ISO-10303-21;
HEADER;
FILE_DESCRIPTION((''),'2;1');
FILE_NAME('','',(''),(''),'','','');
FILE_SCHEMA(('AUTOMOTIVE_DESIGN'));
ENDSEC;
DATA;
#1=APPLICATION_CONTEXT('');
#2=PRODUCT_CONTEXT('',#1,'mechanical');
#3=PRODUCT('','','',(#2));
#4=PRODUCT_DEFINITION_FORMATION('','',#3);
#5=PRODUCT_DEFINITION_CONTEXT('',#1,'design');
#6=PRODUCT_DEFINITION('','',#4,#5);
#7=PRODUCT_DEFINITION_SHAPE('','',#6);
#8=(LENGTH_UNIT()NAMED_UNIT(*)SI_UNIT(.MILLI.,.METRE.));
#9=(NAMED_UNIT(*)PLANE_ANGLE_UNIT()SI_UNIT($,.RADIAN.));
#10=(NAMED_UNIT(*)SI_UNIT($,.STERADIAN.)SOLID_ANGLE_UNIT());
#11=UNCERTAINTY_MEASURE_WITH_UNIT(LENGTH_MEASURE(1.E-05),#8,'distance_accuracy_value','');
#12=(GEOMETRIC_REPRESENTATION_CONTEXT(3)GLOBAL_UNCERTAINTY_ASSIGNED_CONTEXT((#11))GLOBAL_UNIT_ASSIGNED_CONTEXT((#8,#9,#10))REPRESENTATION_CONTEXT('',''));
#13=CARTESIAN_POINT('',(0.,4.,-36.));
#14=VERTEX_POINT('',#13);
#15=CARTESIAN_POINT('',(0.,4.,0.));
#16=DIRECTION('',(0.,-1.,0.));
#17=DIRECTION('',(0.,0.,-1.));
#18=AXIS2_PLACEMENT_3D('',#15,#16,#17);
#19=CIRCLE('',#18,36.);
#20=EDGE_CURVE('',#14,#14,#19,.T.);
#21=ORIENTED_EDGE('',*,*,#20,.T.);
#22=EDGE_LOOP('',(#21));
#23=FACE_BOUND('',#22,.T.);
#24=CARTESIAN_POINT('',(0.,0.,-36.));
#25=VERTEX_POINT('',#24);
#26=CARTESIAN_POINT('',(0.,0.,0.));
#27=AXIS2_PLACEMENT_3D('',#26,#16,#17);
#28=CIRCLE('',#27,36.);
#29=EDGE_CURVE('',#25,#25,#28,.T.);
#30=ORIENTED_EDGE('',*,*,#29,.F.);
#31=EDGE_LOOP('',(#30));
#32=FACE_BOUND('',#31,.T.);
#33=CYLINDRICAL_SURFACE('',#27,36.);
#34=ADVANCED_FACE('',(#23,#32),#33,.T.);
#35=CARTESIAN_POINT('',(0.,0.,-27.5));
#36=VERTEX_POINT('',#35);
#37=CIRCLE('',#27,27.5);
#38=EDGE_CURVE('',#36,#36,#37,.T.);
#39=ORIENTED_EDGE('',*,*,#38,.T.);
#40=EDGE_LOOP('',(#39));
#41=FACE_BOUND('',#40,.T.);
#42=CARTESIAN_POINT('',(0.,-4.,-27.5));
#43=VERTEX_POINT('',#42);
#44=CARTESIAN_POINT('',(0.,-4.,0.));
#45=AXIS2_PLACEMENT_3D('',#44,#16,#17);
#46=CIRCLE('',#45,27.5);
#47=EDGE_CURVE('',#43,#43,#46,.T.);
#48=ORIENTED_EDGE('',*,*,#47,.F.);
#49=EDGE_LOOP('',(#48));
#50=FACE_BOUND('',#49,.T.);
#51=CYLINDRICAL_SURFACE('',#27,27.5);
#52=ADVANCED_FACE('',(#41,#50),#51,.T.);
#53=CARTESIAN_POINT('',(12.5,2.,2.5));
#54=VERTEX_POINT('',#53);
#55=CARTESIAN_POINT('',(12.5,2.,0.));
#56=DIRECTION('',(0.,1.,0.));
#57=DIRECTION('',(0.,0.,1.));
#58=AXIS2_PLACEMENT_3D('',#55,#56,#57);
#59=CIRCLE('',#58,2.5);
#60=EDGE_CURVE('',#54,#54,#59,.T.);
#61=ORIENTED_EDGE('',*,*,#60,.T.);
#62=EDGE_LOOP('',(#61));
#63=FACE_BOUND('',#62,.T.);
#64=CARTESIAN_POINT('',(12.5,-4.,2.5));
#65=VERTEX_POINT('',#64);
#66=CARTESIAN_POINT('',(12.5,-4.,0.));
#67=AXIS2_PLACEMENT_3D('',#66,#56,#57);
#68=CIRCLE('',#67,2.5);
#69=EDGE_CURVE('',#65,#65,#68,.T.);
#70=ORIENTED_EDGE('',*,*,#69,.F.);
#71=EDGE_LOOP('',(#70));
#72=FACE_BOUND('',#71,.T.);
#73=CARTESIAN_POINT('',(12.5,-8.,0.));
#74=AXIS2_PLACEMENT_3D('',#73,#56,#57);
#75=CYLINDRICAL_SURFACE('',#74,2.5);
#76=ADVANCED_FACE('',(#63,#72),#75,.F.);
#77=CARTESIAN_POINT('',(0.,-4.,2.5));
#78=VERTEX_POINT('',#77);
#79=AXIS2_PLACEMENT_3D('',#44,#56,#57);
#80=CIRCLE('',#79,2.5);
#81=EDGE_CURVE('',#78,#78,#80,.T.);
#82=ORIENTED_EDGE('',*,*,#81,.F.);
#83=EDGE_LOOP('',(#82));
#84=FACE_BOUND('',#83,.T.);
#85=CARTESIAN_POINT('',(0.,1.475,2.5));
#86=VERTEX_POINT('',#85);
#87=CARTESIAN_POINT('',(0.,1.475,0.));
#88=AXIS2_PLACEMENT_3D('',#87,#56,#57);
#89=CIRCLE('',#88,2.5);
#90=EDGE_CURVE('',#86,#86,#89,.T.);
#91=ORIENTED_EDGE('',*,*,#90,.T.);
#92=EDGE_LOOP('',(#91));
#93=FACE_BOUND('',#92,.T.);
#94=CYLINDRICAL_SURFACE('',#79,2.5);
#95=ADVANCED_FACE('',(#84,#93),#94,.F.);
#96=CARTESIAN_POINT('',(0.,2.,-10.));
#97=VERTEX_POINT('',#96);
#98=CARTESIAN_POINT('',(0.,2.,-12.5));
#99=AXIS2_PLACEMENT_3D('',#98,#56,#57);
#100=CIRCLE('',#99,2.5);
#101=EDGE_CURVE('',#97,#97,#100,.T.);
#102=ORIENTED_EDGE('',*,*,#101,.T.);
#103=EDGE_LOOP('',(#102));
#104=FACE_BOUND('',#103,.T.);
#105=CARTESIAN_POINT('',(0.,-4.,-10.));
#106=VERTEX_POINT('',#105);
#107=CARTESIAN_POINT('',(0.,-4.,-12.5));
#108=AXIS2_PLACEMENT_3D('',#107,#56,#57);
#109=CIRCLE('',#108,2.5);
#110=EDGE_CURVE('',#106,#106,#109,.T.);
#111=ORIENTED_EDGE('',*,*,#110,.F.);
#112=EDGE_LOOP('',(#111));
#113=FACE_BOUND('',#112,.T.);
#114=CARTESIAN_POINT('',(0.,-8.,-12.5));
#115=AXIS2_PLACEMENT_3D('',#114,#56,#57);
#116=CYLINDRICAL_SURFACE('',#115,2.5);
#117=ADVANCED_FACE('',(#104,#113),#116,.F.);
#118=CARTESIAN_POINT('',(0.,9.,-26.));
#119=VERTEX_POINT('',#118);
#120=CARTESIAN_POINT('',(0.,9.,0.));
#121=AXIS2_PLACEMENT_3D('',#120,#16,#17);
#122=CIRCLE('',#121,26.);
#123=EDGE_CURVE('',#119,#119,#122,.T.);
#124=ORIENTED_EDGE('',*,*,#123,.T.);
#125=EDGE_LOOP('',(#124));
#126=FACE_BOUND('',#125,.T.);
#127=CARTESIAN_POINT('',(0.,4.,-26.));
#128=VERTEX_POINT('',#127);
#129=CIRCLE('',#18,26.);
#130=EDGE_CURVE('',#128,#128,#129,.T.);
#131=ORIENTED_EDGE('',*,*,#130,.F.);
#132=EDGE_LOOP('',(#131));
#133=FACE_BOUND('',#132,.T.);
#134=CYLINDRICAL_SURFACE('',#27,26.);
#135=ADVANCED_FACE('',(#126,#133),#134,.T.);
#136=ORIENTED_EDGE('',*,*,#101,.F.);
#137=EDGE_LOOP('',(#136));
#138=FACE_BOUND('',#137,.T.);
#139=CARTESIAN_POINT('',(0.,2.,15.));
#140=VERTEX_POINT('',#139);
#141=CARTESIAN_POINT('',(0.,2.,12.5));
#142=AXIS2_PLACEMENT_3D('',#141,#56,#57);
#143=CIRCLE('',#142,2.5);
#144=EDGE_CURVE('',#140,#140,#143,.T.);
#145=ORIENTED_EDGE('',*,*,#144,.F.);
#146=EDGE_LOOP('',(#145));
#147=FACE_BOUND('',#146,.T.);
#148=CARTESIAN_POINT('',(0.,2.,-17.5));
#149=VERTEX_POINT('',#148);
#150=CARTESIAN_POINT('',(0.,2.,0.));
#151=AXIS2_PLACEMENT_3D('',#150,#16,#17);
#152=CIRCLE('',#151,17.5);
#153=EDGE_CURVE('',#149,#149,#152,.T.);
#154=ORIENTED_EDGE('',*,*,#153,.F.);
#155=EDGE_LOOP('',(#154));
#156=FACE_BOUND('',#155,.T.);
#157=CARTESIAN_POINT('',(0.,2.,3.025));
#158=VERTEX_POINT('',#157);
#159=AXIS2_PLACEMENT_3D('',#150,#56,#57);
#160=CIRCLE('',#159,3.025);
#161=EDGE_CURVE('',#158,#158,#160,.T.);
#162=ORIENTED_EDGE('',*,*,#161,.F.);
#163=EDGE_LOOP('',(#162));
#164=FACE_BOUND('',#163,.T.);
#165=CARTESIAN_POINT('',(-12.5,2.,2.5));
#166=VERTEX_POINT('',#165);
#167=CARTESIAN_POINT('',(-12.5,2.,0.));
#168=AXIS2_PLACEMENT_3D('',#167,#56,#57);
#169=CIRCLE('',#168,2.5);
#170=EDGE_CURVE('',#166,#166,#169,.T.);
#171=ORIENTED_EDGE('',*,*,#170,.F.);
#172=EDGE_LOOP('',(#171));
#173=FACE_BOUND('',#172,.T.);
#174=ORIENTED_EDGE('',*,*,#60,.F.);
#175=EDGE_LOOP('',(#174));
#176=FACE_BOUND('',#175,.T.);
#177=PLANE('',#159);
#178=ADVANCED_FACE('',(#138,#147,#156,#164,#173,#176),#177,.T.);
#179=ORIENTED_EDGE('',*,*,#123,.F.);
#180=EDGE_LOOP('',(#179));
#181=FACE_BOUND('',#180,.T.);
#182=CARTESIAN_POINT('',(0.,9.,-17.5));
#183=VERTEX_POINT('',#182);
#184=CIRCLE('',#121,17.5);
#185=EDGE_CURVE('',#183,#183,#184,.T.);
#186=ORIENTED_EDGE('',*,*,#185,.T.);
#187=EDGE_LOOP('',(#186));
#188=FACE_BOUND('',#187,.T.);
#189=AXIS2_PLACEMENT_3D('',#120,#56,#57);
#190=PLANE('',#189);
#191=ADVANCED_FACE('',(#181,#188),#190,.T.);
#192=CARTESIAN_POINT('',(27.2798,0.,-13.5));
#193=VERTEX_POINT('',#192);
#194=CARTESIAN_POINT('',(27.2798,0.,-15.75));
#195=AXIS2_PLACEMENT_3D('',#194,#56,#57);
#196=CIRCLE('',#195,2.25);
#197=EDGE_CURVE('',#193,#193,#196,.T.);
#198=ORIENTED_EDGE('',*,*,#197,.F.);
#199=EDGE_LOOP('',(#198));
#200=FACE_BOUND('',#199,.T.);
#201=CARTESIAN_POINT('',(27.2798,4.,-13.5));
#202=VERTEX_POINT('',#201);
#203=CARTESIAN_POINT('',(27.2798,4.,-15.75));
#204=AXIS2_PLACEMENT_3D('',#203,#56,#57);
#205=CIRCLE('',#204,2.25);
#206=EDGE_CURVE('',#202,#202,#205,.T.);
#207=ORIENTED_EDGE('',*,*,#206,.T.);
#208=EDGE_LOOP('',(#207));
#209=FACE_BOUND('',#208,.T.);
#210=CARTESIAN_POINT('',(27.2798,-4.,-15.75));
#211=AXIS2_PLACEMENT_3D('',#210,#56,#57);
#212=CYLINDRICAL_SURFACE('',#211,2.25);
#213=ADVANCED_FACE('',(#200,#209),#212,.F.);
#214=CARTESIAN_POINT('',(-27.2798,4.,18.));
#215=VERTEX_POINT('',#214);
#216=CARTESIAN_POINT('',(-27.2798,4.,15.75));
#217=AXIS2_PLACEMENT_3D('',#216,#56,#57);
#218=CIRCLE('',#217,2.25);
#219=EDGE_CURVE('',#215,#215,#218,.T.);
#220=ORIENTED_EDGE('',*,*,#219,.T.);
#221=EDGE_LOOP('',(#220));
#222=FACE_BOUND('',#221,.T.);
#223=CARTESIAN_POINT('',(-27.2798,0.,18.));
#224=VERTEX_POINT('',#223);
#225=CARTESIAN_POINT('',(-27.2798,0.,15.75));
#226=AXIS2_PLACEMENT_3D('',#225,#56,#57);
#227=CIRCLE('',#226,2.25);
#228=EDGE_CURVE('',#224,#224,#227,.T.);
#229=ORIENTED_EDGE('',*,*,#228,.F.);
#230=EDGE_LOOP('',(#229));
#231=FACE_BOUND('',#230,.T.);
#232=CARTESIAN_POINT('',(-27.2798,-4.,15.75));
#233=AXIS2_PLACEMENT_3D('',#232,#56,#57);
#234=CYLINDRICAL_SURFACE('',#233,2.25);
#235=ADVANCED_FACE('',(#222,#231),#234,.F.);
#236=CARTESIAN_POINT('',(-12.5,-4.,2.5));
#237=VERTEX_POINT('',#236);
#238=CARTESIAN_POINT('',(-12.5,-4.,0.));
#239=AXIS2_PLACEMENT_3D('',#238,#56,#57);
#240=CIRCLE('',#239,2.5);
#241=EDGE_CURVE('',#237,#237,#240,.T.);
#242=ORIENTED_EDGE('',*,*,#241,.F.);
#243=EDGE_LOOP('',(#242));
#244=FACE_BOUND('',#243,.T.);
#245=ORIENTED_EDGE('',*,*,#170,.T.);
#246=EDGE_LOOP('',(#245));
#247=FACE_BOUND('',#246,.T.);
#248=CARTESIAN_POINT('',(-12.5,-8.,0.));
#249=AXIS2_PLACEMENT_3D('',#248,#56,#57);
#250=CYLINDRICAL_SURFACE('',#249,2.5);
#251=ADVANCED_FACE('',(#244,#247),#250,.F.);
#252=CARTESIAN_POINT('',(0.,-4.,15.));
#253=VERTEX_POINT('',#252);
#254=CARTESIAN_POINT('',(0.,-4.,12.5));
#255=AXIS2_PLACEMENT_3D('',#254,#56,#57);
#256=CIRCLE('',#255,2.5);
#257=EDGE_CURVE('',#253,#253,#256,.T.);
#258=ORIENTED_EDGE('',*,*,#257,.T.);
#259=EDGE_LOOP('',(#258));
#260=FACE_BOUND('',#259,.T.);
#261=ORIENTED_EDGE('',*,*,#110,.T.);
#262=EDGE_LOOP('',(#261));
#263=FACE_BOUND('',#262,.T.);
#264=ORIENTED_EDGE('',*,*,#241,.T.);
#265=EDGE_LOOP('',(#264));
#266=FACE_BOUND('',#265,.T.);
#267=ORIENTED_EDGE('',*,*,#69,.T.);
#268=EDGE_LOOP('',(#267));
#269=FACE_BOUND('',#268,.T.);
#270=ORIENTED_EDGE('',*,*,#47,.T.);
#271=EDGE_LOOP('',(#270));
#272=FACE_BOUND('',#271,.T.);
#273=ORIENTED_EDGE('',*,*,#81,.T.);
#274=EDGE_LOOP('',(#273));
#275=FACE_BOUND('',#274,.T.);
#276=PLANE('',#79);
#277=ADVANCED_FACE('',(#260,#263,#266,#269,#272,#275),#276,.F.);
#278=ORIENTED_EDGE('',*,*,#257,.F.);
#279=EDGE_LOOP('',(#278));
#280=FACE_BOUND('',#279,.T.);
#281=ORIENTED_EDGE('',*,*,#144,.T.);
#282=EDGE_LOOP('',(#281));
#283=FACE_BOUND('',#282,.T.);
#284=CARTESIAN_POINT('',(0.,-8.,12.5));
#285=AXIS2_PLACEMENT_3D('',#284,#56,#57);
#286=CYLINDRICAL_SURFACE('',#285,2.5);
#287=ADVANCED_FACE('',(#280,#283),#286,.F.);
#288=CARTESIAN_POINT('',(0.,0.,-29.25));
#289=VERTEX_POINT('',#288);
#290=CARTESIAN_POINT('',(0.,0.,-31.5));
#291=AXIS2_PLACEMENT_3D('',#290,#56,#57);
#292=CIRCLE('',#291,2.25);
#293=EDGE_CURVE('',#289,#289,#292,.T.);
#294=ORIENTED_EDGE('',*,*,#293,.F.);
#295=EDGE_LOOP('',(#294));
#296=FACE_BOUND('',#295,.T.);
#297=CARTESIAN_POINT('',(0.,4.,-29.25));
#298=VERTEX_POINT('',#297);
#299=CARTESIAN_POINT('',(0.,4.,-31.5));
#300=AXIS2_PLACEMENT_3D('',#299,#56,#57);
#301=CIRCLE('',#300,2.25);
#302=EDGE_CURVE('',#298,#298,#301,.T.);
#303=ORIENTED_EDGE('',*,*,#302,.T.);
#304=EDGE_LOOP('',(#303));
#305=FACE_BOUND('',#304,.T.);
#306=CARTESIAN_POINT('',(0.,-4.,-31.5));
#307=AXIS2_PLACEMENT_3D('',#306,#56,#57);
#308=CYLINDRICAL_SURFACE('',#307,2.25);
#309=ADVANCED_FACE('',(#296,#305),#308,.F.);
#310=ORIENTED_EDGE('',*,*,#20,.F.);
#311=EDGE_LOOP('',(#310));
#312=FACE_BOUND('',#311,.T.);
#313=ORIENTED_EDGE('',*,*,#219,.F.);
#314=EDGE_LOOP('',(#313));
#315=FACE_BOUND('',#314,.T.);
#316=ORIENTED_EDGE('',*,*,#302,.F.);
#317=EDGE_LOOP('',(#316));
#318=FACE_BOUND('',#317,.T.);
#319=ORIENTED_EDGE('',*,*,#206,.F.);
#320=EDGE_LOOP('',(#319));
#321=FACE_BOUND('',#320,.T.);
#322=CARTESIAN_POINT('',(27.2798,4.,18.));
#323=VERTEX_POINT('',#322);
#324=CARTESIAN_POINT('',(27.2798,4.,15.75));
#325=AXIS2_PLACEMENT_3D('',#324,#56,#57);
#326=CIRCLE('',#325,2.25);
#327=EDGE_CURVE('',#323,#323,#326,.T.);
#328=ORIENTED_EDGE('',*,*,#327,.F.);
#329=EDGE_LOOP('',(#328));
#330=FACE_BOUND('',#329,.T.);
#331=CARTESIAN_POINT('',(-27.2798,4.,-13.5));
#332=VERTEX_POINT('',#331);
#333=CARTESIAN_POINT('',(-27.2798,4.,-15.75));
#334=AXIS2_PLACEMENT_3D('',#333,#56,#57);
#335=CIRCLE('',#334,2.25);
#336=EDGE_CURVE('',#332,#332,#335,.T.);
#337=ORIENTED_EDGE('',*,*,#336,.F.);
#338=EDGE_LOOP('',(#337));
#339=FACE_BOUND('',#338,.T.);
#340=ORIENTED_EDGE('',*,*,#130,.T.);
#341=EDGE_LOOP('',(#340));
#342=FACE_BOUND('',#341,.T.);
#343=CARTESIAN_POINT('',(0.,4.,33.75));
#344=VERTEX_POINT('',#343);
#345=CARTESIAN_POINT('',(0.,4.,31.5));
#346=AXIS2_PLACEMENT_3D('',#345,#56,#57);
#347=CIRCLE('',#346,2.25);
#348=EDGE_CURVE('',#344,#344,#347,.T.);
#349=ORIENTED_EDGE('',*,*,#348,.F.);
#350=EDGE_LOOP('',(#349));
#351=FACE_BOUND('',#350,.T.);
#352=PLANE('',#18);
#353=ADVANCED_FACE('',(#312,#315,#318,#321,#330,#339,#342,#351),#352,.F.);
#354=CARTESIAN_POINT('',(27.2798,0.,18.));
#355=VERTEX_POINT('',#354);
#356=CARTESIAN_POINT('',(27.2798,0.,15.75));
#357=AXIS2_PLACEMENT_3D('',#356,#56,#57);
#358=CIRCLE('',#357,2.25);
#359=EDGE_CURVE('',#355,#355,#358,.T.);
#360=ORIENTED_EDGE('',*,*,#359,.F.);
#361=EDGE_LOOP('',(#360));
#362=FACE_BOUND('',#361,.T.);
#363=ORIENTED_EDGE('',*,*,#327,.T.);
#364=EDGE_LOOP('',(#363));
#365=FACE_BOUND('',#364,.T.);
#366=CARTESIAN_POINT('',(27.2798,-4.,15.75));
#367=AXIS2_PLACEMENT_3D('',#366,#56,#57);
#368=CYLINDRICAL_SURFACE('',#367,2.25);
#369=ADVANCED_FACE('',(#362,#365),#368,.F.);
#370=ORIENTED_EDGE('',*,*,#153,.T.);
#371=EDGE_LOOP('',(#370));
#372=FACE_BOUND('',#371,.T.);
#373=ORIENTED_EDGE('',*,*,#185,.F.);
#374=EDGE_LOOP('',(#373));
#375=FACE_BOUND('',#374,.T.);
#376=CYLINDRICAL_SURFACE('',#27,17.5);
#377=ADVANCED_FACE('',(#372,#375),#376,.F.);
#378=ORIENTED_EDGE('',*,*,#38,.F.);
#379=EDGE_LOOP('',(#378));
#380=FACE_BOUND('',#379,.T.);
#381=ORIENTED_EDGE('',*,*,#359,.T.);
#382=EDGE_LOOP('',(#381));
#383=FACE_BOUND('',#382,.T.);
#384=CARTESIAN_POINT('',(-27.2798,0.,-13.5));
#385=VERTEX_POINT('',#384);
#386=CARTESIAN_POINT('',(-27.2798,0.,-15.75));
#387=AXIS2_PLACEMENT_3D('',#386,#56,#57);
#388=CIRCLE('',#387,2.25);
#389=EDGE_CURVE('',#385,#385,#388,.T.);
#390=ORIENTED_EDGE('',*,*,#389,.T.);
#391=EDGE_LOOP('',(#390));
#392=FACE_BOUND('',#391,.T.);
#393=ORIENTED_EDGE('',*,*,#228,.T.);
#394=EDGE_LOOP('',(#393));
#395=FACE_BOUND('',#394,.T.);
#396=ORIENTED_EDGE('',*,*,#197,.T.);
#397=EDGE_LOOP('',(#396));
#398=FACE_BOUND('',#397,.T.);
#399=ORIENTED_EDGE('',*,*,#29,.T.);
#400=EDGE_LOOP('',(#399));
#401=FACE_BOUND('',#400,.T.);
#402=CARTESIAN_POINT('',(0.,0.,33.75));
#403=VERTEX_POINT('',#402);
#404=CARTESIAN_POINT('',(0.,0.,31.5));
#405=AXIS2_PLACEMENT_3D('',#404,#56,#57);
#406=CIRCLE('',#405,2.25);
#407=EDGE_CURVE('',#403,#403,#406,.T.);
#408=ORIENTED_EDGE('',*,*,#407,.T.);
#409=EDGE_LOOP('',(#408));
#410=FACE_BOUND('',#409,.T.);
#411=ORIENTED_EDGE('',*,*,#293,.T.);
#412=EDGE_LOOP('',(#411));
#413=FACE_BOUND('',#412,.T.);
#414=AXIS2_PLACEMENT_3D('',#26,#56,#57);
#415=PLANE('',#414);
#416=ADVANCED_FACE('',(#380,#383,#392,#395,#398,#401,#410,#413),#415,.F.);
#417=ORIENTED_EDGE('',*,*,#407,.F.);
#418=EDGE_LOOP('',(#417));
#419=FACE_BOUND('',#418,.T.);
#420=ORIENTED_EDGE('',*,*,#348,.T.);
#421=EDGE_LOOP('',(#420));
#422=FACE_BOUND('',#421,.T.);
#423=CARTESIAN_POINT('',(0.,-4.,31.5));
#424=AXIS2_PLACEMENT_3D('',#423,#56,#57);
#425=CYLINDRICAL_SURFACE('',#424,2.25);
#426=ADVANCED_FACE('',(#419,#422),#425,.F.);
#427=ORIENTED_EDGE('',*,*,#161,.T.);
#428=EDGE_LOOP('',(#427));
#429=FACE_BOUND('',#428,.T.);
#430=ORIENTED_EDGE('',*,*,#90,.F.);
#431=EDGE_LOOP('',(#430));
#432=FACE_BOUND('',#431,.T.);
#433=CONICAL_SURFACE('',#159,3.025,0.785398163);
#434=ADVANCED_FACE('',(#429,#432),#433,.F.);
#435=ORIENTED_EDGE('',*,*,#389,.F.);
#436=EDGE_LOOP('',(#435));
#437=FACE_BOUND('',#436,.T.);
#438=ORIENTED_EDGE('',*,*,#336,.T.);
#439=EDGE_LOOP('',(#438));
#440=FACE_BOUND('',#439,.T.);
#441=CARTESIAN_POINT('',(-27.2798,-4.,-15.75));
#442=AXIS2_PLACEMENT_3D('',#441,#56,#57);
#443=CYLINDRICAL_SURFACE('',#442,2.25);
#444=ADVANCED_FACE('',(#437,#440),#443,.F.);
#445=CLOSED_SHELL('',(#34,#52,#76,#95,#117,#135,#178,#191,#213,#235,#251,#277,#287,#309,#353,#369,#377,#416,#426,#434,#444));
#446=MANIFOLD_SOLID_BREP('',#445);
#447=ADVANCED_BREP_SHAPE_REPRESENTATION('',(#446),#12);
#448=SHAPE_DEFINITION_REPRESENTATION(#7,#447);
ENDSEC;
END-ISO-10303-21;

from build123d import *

# Parameters (mm, degrees)
SKETCH2_R                   = 2.25
CUT_EXTRUDE1_DEPTH          = 52.536394907
SKETCH4_R                   = 2.5
CUT_EXTRUDE3_DEPTH          = 10
M6_TAPPED_HOLE1_D           = 5
M6_TAPPED_HOLE1_DEPTH       = 15
M6_TAPPED_HOLE1_CSINK_D     = 6.05
M6_TAPPED_HOLE1_CSINK_ANGLE = 90
M6_TAPPED_HOLE1_TIP         = 1.502151548
SKETCH9_R                   = 2.5
CUT_EXTRUDE4_DEPTH          = 52.39066063
M6_TAPPED_HOLE2_D           = 5
M6_TAPPED_HOLE2_DEPTH       = 65
M6_TAPPED_HOLE2_CSINK_D     = 6.05
M6_TAPPED_HOLE2_CSINK_ANGLE = 90
M6_TAPPED_HOLE2_TIP         = 1.502151548


with BuildPart() as part:
    # Sketch1 → Revolve1 (revolve)
    with BuildSketch(Plane.XY, mode=Mode.PRIVATE) as revolve1_sk:
        Polygon((27.5, 0), (27.5, -4), (0, -4), (0, 2), (17.5, 2), (17.5, 9), (26, 9), (26, 4), (36, 4), (36, 0), align=None)
    revolve(revolve1_sk.sketch.rotate(Axis((0, 0, 0), (0, 1, 0)), 90), axis=Axis((0, 0, 0), (0, 1, 0)))

    # Sketch2 → Cut-Extrude1 (cut, through all)
    with BuildSketch(Plane(origin=(0, 4, 0), x_dir=(1, 0, 0), z_dir=(0, 1, 0))):
        with Locations(Location((0, 31.5, 0), (0, 0, 270))):
            Circle(SKETCH2_R)
        with Locations(Location((27.279800219, 15.75, 0), (0, 0, 270))):
            Circle(SKETCH2_R)
        with Locations(Location((27.279800219, -15.75, 0), (0, 0, 270))):
            Circle(SKETCH2_R)
        with Locations(Location((0, -31.5, 0), (0, 0, 270))):
            Circle(SKETCH2_R)
        with Locations(Location((-27.279800219, -15.75, 0), (0, 0, 270))):
            Circle(SKETCH2_R)
        with Locations(Location((-27.279800219, 15.75, 0), (0, 0, 270))):
            Circle(SKETCH2_R)
    extrude(amount=-CUT_EXTRUDE1_DEPTH, mode=Mode.SUBTRACT)

    # Sketch4 → Cut-Extrude3 (cut)
    with BuildSketch(Plane(origin=(0, 2, 0), x_dir=(1, 0, 0), z_dir=(0, 1, 0))):
        with Locations(Location((12.5, 0, 0), (0, 0, 270))):
            Circle(SKETCH4_R)
        with Locations(Location((0, -12.5, 0), (0, 0, 270))):
            Circle(SKETCH4_R)
        with Locations(Location((-12.5, 0, 0), (0, 0, 270))):
            Circle(SKETCH4_R)
        with Locations(Location((0, 12.5, 0), (0, 0, 270))):
            Circle(SKETCH4_R)
    extrude(amount=-CUT_EXTRUDE3_DEPTH, mode=Mode.SUBTRACT)

    # M6 Tapped Hole1
    with Locations(Plane(origin=(-12.5, 9, 0), x_dir=(0, 0, 1), z_dir=(0, 1, 0))):
        with Locations((0, 0), (0, 25), (-12.5, 12.5), (12.5, 12.5)):
            CounterSinkHole(M6_TAPPED_HOLE1_D / 2, M6_TAPPED_HOLE1_CSINK_D / 2, depth=M6_TAPPED_HOLE1_DEPTH, counter_sink_angle=M6_TAPPED_HOLE1_CSINK_ANGLE)
            with Locations((0, 0, -(M6_TAPPED_HOLE1_DEPTH + M6_TAPPED_HOLE1_TIP / 2))):  # 118° drill point
                Cone(0, M6_TAPPED_HOLE1_D / 2, M6_TAPPED_HOLE1_TIP, mode=Mode.SUBTRACT)

    # Sketch9 → Cut-Extrude4 (cut, through all)
    with BuildSketch(Plane(origin=(0, 2, 0), x_dir=(1, 0, 0), z_dir=(0, 1, 0))):
        with Locations(Location((0, 0, 0), (0, 0, 270))):
            Circle(SKETCH9_R)
    extrude(amount=-CUT_EXTRUDE4_DEPTH, mode=Mode.SUBTRACT)

    # M6 Tapped Hole2
    with Locations(Plane.ZX.offset(2)):
        with Locations((0, 0)):
            CounterSinkHole(M6_TAPPED_HOLE2_D / 2, M6_TAPPED_HOLE2_CSINK_D / 2, depth=M6_TAPPED_HOLE2_DEPTH, counter_sink_angle=M6_TAPPED_HOLE2_CSINK_ANGLE)
            with Locations((0, 0, -(M6_TAPPED_HOLE2_DEPTH + M6_TAPPED_HOLE2_TIP / 2))):  # 118° drill point
                Cone(0, M6_TAPPED_HOLE2_D / 2, M6_TAPPED_HOLE2_TIP, mode=Mode.SUBTRACT)


solid = part.part
